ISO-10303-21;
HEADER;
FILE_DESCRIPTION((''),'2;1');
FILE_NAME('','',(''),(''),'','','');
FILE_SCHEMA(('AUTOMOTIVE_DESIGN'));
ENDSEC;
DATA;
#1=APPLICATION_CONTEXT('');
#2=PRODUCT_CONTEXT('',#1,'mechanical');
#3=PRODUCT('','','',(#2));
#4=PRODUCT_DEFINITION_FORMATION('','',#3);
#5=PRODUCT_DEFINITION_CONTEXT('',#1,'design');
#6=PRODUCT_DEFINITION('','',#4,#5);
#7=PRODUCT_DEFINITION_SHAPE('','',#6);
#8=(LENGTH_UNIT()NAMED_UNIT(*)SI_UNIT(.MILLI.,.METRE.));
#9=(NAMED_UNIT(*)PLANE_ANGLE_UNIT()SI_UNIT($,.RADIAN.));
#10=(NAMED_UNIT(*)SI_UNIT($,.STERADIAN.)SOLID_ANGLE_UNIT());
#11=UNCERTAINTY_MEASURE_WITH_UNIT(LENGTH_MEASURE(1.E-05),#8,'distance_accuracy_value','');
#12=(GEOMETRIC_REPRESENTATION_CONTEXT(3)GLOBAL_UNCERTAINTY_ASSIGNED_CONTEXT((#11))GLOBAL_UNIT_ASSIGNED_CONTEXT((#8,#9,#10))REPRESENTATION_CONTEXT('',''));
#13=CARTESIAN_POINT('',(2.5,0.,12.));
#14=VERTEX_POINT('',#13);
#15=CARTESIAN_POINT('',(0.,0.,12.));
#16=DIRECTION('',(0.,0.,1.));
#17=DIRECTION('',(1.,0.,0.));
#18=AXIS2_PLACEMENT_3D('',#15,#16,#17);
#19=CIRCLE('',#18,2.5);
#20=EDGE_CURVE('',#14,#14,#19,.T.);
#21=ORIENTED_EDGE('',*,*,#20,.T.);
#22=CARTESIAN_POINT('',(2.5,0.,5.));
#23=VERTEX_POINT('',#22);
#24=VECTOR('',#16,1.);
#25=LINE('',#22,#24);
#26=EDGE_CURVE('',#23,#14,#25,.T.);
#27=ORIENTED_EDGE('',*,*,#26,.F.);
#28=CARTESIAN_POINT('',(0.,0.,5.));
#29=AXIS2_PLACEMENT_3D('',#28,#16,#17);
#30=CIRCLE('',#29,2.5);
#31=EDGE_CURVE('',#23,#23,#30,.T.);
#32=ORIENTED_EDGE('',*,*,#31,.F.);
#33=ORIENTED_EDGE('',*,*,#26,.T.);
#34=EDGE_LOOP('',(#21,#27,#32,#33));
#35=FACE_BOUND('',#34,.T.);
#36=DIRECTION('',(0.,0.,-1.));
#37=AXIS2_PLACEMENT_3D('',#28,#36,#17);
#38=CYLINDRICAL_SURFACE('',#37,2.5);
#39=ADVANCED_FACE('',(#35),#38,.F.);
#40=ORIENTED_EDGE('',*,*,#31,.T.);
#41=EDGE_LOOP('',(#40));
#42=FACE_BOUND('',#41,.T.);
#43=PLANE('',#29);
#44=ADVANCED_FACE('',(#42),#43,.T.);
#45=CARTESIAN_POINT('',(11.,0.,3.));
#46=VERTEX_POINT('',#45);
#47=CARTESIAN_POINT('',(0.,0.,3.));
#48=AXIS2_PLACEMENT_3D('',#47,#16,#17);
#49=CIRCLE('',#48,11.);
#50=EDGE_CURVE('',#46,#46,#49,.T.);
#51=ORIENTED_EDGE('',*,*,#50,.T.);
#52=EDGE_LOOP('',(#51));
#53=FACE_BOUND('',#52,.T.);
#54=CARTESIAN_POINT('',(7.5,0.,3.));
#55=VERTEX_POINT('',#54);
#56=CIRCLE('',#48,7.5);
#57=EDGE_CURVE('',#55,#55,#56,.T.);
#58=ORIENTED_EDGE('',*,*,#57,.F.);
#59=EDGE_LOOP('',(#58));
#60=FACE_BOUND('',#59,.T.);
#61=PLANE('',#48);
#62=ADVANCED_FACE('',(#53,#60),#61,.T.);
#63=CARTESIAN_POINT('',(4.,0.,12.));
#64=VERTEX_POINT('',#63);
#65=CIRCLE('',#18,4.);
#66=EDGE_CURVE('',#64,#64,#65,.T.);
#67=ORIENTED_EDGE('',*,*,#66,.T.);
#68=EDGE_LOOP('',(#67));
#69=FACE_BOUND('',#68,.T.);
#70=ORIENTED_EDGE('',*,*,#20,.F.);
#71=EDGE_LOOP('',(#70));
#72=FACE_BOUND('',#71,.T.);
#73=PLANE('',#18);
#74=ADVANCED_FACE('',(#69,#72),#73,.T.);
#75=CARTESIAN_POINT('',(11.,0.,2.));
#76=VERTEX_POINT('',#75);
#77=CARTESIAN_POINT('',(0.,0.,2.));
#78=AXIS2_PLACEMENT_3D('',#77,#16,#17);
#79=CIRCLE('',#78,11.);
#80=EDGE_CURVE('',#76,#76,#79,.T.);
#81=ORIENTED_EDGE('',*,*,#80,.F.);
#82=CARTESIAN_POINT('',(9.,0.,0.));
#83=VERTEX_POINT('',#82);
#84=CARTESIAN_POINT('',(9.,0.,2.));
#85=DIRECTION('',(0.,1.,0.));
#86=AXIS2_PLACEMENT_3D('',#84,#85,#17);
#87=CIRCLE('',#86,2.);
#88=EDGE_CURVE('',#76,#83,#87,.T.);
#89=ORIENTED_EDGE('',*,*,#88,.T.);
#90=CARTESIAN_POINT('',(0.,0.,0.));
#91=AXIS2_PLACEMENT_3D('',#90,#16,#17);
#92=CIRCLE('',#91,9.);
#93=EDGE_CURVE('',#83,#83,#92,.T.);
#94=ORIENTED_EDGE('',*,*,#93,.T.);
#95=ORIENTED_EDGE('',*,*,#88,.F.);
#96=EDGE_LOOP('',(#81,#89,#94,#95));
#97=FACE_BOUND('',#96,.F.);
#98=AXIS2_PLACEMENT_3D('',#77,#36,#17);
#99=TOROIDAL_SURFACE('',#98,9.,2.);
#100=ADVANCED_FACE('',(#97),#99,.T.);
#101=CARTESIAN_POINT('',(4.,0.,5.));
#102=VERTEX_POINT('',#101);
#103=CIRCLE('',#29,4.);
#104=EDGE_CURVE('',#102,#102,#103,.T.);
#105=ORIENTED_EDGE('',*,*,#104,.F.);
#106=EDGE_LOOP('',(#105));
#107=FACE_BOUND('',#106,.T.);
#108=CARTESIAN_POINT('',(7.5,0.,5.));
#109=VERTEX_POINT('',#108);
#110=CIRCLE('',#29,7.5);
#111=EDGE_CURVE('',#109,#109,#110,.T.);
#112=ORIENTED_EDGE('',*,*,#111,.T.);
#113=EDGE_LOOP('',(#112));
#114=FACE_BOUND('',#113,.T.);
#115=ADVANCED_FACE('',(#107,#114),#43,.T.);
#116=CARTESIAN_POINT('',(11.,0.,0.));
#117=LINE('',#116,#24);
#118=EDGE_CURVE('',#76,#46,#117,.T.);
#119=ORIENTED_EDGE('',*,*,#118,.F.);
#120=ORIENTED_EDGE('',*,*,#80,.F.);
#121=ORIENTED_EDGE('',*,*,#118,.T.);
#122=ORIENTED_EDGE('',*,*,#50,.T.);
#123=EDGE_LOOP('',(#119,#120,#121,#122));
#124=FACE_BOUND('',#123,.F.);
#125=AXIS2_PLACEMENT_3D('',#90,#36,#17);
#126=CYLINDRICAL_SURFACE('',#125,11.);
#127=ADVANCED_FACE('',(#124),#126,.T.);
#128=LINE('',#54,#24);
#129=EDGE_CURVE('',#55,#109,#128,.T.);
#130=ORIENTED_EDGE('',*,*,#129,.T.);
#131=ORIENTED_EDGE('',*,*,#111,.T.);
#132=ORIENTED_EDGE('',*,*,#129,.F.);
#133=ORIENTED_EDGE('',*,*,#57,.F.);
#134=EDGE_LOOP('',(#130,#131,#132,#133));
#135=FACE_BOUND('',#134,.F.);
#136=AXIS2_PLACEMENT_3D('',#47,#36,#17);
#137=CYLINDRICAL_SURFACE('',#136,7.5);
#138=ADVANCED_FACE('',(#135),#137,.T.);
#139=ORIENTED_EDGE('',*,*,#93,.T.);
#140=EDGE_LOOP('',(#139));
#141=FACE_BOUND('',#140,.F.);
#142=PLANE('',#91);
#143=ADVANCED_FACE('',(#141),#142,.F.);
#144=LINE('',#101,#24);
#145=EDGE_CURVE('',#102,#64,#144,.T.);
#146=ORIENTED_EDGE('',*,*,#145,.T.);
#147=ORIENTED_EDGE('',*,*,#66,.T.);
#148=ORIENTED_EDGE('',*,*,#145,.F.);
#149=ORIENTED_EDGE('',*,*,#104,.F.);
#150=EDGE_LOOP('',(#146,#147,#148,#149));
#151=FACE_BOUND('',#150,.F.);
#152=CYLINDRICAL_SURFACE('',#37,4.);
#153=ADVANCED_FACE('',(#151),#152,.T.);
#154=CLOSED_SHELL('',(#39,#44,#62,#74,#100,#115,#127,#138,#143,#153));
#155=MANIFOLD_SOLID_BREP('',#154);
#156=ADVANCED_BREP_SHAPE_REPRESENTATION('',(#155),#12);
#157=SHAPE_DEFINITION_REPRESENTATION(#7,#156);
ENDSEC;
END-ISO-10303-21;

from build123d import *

# Parameters (mm, degrees)
F0_R     = 11
F1_DEPTH = 3
F2_R     = 2
F3_R     = 7.5
F4_DEPTH = 2
F5_R     = 4
F5_R_2   = 2.5
F6_DEPTH = 7


with BuildPart() as f1:
    # F0 (on Top) → F1 (new body)
    with BuildSketch(Plane.XY):
        Circle(F0_R)
    extrude(amount=F1_DEPTH)

    # F2
    f2_edges = [f1.edges().sort_by_distance(p)[0] for p in [
        (-11, 0, 0),
    ]]
    fillet(f2_edges, radius=F2_R)

    # F3 (on face) → F4 (join)
    with BuildSketch(Plane.XY.offset(3)):
        Circle(F3_R)
    extrude(amount=F4_DEPTH)

    # F5 (on face) → F6 (join)
    with BuildSketch(Plane.XY.offset(5)):
        Circle(F5_R)
        Circle(F5_R_2, mode=Mode.SUBTRACT)
    extrude(amount=F6_DEPTH)


solid = f1.part
